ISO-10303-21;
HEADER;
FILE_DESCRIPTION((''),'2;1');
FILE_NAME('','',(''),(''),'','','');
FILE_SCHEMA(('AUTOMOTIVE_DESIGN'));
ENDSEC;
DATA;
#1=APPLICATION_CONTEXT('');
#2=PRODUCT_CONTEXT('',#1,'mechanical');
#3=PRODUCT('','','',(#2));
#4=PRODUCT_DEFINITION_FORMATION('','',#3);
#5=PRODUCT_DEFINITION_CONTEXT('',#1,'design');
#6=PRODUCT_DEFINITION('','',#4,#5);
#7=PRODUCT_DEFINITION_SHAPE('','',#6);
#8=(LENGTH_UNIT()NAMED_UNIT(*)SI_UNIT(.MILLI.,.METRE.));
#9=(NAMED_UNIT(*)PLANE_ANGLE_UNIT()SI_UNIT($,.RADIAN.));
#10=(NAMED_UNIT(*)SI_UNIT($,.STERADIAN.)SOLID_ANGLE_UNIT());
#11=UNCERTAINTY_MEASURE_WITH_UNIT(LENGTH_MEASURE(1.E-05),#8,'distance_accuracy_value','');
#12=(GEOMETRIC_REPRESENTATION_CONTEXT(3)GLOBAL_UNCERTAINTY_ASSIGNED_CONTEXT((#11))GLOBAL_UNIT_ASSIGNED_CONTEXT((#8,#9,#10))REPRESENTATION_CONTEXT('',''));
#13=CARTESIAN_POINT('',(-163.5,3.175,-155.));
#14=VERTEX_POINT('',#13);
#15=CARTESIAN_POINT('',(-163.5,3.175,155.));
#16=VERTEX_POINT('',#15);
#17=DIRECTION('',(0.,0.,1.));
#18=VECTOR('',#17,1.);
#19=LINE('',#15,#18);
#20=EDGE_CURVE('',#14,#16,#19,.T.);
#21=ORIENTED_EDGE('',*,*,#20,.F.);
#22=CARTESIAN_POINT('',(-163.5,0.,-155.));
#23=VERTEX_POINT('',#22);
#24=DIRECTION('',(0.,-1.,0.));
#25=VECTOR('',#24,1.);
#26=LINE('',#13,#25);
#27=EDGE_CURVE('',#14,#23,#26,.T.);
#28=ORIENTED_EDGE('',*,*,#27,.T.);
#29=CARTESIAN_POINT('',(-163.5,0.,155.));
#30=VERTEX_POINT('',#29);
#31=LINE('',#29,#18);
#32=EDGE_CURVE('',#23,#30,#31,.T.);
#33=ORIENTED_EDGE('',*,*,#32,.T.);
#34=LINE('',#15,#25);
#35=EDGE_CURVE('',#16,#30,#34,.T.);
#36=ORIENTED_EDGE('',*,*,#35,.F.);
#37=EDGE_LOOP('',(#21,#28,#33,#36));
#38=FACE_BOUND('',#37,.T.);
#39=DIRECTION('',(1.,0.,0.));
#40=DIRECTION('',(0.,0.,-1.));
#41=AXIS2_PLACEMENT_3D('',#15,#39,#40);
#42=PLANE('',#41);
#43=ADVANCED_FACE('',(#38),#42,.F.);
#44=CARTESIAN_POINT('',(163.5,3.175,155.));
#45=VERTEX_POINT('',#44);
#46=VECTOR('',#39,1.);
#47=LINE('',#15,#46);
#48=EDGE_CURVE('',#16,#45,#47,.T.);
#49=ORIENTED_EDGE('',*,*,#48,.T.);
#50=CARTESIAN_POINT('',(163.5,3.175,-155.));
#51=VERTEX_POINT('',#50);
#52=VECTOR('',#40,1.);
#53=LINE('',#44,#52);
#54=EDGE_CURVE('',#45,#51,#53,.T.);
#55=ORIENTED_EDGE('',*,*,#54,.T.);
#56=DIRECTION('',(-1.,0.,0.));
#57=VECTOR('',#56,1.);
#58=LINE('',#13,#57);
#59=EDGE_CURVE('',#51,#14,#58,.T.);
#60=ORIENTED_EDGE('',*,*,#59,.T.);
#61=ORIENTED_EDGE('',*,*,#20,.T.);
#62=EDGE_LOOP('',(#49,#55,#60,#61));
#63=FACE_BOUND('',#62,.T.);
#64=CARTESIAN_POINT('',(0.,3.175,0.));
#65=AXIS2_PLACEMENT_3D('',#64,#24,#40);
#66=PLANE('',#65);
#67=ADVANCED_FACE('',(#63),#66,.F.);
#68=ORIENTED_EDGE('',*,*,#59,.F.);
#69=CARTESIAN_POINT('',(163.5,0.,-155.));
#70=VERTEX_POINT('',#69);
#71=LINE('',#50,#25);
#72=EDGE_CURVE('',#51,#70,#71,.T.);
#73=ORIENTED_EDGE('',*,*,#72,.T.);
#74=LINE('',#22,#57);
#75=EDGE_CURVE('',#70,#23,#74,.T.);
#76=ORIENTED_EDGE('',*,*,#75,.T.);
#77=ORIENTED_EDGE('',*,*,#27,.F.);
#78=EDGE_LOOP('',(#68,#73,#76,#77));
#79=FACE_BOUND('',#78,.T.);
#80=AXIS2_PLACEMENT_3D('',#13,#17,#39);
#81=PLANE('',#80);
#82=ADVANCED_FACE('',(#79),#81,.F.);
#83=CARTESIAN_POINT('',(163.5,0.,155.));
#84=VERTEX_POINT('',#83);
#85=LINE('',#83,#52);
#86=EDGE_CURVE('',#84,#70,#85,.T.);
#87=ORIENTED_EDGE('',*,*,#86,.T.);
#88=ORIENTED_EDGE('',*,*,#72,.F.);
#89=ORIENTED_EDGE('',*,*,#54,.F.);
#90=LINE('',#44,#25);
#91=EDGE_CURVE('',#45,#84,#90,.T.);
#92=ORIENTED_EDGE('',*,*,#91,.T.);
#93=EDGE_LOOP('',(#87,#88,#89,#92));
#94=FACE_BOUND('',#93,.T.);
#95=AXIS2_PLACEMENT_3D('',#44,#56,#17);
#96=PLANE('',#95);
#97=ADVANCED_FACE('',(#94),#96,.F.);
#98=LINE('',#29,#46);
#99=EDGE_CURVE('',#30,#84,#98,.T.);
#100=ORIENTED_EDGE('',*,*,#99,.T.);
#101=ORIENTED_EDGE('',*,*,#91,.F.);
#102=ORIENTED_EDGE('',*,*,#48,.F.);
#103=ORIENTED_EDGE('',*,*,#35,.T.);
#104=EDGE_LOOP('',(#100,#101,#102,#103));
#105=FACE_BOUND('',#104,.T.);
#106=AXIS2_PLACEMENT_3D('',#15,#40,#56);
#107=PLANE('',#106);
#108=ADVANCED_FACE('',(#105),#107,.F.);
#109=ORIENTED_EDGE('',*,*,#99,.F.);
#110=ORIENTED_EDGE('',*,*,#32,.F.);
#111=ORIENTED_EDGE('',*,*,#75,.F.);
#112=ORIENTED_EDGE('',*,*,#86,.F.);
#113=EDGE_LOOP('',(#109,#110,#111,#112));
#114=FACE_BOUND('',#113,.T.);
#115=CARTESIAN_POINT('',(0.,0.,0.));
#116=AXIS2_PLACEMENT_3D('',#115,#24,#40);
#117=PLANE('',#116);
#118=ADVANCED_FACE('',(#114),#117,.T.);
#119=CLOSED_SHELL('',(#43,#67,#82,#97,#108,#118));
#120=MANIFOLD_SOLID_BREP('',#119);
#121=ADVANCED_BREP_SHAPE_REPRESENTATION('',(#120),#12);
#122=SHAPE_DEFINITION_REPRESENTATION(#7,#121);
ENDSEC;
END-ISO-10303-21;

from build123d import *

# Parameters (mm, degrees)
SKETCH1_W           = 327
SKETCH1_H           = 310
BOSS_EXTRUDE1_DEPTH = 3.175


with BuildPart() as part:
    # Sketch1 → Boss-Extrude1 (new body)
    with BuildSketch(Plane(origin=(0, 0, 0), x_dir=(1, 0, 0), z_dir=(0, 1, 0))):
        Rectangle(SKETCH1_W, SKETCH1_H)
    extrude(amount=BOSS_EXTRUDE1_DEPTH)


solid = part.part
